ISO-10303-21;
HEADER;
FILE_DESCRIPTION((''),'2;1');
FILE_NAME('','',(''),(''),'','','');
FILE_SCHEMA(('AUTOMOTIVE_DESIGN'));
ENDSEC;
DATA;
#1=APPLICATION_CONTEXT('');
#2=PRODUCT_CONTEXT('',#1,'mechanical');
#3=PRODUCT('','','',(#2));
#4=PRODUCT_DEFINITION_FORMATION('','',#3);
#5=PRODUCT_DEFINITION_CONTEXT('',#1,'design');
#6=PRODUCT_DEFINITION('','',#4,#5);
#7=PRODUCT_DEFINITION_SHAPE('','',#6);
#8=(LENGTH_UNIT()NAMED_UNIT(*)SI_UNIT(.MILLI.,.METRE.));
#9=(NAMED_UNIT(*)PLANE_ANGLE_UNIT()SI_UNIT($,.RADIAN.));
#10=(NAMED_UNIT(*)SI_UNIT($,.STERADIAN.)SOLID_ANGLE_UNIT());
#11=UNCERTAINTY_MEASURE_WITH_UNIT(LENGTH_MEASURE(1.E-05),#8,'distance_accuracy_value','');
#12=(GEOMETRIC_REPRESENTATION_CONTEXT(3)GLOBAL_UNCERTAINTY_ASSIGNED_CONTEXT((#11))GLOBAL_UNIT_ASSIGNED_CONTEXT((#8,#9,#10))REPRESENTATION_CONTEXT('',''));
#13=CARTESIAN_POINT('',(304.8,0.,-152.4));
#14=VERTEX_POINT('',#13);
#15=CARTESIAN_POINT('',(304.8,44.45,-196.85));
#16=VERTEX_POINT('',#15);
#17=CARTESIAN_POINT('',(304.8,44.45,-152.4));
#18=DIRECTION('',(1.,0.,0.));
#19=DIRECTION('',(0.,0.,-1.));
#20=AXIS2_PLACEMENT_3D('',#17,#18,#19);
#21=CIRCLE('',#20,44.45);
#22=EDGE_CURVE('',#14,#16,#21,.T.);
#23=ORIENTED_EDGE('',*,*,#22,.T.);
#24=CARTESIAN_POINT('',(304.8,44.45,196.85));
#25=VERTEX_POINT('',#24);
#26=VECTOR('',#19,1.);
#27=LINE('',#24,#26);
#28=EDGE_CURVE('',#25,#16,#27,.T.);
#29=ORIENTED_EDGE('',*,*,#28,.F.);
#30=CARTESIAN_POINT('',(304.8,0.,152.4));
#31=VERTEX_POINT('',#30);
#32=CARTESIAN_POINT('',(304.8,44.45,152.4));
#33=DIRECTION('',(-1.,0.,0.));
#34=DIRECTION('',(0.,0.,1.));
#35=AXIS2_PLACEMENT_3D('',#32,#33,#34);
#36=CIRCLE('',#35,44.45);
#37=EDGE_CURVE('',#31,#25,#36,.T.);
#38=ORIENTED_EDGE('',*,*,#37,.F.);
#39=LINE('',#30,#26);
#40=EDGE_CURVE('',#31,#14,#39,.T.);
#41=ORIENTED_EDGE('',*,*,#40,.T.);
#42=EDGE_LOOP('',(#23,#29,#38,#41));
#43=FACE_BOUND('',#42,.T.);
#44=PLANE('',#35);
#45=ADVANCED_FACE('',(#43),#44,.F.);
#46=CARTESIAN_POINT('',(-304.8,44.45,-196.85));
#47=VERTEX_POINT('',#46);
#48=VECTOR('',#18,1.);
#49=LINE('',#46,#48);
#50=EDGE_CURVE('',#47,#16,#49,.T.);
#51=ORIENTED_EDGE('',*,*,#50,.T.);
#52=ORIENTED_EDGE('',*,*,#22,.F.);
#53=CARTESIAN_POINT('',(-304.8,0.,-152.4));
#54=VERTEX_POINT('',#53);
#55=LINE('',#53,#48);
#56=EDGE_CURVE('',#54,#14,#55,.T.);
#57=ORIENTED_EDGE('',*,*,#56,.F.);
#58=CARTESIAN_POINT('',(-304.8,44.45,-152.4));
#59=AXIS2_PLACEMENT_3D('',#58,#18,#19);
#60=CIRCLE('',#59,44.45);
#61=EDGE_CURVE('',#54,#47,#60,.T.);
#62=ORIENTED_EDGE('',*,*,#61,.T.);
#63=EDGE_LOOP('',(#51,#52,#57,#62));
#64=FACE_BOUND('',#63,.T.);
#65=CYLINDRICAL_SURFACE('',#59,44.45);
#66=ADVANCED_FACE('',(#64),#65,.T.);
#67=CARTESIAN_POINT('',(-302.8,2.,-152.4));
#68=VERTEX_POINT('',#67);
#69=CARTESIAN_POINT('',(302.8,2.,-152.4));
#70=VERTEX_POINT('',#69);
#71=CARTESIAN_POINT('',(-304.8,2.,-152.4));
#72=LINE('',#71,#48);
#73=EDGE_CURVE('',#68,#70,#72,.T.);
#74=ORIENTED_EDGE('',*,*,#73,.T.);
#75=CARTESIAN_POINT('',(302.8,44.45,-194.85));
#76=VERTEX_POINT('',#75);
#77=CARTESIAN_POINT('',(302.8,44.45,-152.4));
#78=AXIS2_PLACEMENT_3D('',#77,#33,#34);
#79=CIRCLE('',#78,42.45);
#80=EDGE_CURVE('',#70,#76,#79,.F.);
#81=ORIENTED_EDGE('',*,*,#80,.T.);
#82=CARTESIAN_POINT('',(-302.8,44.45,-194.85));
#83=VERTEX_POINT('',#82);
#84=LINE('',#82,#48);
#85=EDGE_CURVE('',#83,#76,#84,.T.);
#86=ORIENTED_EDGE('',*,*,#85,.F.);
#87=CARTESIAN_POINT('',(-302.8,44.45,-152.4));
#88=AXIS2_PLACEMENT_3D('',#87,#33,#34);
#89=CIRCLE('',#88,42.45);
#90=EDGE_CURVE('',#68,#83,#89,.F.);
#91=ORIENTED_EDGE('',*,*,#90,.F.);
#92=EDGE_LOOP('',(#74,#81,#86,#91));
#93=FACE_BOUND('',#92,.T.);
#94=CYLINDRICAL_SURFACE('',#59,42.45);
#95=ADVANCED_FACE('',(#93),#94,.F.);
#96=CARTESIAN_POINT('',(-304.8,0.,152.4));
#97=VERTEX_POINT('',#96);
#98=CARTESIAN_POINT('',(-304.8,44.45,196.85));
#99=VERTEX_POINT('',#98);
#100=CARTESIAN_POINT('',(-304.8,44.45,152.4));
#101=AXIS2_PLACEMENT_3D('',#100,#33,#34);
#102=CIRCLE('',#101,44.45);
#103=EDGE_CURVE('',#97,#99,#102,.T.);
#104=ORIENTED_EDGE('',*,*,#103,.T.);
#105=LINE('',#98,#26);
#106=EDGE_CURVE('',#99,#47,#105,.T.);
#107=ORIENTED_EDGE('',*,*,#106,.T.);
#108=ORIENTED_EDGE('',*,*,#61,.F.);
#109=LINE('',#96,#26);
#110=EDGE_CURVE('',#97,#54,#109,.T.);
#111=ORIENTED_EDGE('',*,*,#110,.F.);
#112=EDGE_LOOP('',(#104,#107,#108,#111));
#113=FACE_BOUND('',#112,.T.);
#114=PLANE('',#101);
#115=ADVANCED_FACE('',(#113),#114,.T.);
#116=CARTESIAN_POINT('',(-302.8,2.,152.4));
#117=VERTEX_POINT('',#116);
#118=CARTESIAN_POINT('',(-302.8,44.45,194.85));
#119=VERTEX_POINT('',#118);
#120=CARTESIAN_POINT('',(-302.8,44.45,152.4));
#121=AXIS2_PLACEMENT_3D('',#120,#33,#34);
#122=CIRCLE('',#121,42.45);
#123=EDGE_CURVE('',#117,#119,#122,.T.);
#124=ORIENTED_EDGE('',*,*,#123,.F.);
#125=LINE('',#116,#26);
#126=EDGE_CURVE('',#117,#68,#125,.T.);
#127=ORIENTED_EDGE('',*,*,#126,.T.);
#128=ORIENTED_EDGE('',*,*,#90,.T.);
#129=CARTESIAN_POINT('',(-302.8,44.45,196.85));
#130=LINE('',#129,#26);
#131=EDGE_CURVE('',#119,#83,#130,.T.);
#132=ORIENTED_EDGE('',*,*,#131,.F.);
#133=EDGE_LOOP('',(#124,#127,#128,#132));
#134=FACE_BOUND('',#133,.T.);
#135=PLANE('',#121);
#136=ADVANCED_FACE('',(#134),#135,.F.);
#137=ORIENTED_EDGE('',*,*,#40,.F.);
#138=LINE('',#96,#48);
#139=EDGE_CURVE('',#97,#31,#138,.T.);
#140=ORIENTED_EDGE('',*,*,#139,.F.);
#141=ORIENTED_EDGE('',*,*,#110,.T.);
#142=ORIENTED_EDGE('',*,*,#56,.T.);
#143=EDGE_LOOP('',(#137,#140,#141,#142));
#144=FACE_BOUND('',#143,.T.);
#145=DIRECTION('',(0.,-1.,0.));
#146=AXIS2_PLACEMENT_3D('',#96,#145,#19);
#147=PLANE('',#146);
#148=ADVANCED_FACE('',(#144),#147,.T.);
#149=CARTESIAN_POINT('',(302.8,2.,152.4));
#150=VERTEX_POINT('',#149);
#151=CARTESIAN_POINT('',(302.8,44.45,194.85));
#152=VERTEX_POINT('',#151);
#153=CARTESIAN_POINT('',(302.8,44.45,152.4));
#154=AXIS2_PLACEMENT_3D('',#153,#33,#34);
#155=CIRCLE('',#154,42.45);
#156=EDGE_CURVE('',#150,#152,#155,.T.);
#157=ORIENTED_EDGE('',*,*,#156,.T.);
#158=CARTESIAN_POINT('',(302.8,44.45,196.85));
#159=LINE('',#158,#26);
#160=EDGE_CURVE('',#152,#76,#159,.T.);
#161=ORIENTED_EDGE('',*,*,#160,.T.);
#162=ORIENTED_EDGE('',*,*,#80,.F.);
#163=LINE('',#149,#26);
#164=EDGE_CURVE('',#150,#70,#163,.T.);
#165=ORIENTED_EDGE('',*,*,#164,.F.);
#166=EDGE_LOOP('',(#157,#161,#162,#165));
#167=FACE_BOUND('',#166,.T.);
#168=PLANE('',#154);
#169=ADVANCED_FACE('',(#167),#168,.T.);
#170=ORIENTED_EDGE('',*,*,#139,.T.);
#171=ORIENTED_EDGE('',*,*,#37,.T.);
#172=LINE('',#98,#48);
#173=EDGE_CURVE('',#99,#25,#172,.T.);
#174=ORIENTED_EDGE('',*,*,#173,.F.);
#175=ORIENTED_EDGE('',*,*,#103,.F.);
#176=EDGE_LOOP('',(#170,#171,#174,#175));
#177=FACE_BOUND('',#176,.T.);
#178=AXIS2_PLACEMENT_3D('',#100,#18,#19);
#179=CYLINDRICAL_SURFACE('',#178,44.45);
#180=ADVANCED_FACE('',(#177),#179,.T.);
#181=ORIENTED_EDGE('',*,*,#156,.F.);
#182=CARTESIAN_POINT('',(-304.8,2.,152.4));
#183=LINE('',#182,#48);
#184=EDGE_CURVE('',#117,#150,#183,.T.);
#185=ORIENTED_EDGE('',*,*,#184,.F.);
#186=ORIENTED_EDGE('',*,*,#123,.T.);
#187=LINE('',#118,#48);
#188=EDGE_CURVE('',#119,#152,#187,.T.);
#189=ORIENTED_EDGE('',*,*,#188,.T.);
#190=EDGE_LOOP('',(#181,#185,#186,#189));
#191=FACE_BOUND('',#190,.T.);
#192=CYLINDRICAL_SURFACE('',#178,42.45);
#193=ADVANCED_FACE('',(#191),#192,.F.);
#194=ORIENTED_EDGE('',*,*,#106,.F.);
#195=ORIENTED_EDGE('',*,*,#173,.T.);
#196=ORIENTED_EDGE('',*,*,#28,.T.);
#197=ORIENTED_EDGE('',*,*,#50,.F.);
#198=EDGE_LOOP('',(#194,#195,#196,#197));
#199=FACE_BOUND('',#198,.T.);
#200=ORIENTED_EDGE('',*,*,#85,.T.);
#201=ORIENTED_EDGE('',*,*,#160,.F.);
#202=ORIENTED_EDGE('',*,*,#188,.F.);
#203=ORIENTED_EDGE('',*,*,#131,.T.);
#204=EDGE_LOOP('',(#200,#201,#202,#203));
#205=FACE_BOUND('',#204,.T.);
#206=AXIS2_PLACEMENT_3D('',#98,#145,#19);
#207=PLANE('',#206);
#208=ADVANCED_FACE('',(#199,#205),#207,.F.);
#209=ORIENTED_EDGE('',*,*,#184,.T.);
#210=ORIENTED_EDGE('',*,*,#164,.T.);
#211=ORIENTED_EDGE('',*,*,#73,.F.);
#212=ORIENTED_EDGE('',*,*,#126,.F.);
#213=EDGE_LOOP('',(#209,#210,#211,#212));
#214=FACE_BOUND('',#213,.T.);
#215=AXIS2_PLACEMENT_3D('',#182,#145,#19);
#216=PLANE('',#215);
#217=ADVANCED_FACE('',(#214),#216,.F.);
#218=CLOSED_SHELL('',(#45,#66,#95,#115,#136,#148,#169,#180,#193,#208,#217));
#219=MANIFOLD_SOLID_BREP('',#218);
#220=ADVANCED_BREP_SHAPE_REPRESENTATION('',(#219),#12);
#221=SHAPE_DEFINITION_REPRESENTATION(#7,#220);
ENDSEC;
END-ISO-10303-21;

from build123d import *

# Parameters (mm, degrees)
COVERBASEEXTRUDE_DEPTH      = 304.8
COVERBASEEXTRUDE_DEPTH_BACK = 304.8
COVERSHELL_T                = -2


with BuildPart() as part:
    # Sketch1 → CoverBaseExtrude (new, two sides: drawn at the far end of the back side and taken through both)
    with BuildSketch(Plane(origin=(0, 0, 0), x_dir=(0, 0, -1), z_dir=(1, 0, 0)).offset(-COVERBASEEXTRUDE_DEPTH_BACK)):
        with BuildLine():
            Line((-152.4, 0), (152.4, 0))
            ThreePointArc((152.4, 0), (183.830896424, 13.019103576), (196.85, 44.45))
            Line((196.85, 44.45), (-196.85, 44.45))
            ThreePointArc((-196.85, 44.45), (-183.830896424, 13.019103576), (-152.4, 0))
        make_face()
    extrude(amount=COVERBASEEXTRUDE_DEPTH + COVERBASEEXTRUDE_DEPTH_BACK)

    # CoverShell
    covershell_openings = [part.faces().sort_by_distance(p)[0] for p in [
        (0, 44.45, 0),
    ]]
    offset(amount=COVERSHELL_T, openings=covershell_openings, kind=Kind.INTERSECTION)


solid = part.part
